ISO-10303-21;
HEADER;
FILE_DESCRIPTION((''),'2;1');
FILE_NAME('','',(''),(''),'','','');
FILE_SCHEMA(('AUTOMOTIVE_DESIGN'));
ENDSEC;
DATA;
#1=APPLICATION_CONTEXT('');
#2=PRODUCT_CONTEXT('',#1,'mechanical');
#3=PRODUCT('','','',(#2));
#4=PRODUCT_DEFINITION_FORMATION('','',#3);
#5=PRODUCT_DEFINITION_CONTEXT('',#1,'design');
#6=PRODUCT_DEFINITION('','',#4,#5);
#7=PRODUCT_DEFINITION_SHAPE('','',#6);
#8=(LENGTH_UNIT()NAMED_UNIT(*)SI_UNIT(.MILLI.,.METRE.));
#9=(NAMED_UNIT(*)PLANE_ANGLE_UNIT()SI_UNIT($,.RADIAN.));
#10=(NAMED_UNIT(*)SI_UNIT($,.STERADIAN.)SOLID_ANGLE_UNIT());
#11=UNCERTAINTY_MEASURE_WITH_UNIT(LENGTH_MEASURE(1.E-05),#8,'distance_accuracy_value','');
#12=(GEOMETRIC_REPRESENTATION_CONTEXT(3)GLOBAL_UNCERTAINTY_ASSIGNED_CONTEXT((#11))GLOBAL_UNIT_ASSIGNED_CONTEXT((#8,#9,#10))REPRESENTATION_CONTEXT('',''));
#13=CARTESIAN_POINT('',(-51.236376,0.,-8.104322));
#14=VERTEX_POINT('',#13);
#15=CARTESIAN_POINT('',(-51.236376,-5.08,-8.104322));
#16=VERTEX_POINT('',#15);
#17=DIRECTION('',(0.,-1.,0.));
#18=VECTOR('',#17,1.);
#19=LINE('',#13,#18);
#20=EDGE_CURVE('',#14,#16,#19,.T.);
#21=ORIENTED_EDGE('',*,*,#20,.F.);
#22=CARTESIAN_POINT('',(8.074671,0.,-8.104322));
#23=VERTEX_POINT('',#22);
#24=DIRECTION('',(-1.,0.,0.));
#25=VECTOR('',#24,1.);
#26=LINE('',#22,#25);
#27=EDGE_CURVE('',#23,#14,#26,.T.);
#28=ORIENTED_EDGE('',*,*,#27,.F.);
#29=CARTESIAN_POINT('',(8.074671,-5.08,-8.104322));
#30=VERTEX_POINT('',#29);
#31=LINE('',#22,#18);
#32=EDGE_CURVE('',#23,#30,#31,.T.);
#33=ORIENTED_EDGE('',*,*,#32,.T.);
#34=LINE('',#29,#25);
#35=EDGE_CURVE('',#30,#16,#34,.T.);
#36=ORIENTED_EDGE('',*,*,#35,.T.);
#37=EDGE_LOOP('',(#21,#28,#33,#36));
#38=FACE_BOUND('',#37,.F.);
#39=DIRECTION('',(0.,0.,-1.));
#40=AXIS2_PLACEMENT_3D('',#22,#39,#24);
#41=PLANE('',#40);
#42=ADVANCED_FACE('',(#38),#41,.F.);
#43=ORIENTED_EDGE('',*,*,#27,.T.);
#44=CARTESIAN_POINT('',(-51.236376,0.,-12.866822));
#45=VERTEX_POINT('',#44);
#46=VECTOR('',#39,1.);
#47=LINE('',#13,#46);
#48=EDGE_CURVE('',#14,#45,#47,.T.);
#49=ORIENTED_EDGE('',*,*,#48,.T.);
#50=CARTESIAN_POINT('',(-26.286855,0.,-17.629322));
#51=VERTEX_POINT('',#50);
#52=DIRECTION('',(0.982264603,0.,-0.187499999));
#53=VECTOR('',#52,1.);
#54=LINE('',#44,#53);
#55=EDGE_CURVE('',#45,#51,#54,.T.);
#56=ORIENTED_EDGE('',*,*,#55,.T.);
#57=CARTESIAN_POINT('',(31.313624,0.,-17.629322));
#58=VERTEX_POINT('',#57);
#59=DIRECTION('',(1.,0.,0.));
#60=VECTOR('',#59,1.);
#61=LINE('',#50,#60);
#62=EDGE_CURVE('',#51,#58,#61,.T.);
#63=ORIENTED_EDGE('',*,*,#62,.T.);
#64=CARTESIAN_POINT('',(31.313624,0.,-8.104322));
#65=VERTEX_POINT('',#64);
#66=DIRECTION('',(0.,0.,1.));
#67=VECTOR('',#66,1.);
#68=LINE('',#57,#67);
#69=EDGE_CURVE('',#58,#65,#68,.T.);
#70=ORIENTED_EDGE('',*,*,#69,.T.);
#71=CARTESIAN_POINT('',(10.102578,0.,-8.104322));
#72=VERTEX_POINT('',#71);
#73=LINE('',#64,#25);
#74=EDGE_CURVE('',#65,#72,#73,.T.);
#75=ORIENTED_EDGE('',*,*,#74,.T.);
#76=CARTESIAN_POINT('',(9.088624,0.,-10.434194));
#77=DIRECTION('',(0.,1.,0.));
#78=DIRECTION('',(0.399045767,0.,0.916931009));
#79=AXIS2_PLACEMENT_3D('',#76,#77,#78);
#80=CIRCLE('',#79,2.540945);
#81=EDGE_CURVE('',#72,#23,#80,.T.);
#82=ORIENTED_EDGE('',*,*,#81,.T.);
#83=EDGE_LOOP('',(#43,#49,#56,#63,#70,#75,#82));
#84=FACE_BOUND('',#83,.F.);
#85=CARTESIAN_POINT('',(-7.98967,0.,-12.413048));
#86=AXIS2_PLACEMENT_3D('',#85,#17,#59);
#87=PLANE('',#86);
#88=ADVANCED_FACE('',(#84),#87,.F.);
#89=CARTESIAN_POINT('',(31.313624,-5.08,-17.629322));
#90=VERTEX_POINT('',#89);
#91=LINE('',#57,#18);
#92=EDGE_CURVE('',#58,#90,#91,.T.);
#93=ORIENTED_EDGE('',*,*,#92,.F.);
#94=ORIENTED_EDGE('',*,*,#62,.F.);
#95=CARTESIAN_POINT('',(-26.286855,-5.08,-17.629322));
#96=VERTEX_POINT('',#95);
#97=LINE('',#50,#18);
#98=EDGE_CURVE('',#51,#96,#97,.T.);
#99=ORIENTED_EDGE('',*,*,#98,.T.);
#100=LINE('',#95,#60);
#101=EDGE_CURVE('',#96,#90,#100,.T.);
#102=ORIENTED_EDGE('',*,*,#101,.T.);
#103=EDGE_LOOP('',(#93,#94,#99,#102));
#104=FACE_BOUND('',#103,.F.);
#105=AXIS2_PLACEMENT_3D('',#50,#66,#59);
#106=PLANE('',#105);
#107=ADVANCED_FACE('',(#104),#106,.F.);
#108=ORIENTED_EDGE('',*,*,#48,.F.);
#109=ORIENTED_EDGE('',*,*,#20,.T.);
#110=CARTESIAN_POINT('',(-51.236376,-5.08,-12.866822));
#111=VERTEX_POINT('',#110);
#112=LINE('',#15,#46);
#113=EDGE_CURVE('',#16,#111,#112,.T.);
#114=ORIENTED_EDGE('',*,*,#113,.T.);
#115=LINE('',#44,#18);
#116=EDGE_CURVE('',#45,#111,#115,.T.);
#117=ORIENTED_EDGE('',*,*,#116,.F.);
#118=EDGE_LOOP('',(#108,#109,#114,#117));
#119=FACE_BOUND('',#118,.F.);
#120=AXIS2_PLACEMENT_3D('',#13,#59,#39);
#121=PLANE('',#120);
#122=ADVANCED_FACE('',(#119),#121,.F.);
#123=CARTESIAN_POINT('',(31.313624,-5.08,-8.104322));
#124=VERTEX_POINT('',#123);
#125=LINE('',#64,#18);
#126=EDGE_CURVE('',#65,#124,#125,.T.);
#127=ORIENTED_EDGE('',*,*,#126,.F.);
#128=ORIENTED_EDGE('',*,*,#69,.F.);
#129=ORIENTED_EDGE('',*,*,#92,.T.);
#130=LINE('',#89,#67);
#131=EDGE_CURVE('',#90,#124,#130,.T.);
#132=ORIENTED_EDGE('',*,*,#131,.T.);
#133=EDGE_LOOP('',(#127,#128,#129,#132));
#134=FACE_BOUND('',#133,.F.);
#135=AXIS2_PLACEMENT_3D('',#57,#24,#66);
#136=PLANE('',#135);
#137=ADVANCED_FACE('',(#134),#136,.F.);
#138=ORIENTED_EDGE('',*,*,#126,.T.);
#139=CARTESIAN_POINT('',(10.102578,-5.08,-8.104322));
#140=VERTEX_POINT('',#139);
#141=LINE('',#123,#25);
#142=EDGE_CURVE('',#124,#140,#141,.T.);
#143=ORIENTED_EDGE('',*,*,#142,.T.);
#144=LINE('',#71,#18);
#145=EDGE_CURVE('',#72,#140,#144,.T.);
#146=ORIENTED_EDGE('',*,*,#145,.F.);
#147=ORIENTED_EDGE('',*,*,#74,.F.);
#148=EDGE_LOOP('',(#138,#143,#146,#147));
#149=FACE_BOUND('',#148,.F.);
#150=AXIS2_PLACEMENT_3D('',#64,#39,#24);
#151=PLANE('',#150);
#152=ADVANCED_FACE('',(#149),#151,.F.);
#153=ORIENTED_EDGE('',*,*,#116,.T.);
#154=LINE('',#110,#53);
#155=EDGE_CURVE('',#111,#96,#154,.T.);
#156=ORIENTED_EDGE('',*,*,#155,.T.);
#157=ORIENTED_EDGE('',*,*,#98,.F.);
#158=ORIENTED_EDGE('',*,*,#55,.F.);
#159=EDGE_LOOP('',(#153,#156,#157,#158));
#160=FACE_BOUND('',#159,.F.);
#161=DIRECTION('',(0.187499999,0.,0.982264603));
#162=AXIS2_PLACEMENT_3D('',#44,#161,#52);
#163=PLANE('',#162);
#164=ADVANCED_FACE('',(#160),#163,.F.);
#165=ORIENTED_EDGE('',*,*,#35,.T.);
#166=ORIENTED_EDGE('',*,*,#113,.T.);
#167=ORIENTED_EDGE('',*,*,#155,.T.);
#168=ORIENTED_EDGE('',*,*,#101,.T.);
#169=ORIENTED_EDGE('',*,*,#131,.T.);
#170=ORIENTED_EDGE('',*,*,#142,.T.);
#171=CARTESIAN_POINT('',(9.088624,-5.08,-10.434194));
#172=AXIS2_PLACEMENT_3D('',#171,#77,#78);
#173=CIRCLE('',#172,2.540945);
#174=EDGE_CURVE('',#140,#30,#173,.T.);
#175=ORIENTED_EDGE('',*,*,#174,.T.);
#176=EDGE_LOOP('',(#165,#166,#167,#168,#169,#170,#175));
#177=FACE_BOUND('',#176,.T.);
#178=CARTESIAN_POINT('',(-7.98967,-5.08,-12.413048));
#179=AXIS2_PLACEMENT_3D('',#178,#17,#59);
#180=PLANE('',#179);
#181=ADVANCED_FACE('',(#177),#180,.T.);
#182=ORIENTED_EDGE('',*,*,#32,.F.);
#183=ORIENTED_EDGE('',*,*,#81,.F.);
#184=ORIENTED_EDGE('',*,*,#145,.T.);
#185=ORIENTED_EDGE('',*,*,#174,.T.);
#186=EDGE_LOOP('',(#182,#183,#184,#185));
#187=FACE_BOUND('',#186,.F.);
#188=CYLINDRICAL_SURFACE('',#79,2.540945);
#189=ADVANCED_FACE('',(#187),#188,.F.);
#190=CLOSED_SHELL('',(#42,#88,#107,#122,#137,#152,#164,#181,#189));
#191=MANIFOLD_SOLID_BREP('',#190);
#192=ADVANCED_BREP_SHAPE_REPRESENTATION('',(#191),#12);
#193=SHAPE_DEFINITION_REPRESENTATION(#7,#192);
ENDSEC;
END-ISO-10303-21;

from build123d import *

# Parameters (mm, degrees)
F1_DEPTH = 5.08


with BuildPart() as f1:
    # F0 (on Front) → F1 (new body)
    with BuildSketch(Plane.XZ):
        with BuildLine():
            Line((8.074671, -8.104322), (-51.236376, -8.104322))
            Line((-51.236376, -8.104322), (-51.236376, -12.866822))
            Line((-51.236376, -12.866822), (-26.286855, -17.629322))
            Line((-26.286855, -17.629322), (31.313624, -17.629322))
            Line((31.313624, -17.629322), (31.313624, -8.104322))
            Line((31.313624, -8.104322), (10.102578, -8.104322))
            ThreePointArc((10.102578, -8.104322), (9.088624, -12.975139), (8.074671, -8.104322))
        make_face()
    extrude(amount=F1_DEPTH)


solid = f1.part
